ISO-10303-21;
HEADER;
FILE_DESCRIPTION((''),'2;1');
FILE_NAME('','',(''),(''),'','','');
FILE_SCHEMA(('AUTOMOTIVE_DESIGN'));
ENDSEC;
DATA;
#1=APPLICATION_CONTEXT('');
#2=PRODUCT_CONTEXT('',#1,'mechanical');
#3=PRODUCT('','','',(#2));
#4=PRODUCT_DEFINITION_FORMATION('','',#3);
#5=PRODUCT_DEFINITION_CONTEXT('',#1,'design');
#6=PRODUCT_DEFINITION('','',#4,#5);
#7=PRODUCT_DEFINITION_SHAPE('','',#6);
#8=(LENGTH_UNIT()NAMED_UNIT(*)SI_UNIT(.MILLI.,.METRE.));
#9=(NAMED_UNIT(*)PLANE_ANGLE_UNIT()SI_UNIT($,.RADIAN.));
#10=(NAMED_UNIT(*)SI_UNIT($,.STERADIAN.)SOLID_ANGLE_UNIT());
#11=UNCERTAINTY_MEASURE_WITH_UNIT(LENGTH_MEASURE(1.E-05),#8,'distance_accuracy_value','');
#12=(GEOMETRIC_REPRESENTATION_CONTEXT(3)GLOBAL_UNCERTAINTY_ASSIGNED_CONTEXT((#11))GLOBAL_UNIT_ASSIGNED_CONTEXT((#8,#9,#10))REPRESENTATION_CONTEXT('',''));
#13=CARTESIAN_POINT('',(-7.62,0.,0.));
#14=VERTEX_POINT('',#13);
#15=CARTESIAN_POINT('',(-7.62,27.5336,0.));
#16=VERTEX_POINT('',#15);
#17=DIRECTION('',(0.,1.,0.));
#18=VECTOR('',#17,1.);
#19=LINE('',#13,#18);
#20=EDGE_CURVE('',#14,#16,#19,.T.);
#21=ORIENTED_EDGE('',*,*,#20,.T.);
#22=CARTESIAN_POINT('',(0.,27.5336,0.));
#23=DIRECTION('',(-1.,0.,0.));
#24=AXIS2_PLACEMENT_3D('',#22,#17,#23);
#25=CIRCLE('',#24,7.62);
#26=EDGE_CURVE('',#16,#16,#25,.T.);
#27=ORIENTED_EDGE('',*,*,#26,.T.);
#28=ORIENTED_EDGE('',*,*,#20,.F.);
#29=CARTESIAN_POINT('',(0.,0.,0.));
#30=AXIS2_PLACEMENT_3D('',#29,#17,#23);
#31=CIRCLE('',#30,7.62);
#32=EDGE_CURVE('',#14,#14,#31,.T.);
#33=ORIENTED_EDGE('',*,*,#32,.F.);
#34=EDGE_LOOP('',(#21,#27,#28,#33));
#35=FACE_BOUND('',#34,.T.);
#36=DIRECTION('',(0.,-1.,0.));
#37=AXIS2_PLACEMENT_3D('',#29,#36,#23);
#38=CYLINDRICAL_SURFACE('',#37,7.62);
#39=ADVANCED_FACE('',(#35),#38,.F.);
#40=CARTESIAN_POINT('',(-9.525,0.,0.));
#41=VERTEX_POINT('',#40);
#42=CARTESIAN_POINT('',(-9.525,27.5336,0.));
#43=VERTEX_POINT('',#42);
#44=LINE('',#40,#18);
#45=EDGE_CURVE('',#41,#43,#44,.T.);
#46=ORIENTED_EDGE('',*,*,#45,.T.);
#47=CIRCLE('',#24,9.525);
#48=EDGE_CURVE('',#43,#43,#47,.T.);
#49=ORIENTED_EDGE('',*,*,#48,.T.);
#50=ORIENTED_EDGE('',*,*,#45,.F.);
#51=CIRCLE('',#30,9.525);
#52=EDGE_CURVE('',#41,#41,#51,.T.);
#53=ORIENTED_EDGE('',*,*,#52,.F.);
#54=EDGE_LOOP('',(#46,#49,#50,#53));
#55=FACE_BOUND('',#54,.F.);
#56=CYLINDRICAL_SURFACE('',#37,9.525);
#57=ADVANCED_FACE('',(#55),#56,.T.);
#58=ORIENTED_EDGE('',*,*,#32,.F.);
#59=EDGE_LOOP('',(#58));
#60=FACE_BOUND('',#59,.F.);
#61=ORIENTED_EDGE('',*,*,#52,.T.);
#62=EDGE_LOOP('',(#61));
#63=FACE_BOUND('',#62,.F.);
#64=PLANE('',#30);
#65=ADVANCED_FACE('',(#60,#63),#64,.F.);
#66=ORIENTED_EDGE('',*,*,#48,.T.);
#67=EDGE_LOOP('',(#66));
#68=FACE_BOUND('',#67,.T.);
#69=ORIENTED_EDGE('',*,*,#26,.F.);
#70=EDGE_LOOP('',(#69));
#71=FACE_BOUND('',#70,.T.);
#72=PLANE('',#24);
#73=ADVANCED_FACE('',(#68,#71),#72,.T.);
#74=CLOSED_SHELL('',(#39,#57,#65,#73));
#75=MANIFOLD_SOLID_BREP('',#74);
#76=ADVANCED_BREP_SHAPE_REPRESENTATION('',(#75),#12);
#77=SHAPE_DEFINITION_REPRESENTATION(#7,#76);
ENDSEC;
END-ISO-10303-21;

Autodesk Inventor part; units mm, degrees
ref_plane "YZ Plane" through (0, 0, 0) normal (1, 0, 0) x (0, 1, 0)
ref_plane "XZ Plane" through (0, 0, 0) normal (0, 1, 0) x (-1, 0, 0)
ref_plane "XY Plane" through (0, 0, 0) normal (0, 0, 1) x (1, 0, 0)
sketch "Sketch1" plane through (0, 0, 0) normal (0, 1, 0) x (-1, 0, 0)
  circle A0 centre (0, 0) radius 7.62
  circle A1 centre (0, 0) radius 9.525
  dimension "d0" = 15.24
  dimension "d1" = 19.05
extrude "Extrusion1" add sketch "Sketch1" along normal blind 27.5336
properties part number "ELEV_040_SPACER12" material "ABS Plastic"
